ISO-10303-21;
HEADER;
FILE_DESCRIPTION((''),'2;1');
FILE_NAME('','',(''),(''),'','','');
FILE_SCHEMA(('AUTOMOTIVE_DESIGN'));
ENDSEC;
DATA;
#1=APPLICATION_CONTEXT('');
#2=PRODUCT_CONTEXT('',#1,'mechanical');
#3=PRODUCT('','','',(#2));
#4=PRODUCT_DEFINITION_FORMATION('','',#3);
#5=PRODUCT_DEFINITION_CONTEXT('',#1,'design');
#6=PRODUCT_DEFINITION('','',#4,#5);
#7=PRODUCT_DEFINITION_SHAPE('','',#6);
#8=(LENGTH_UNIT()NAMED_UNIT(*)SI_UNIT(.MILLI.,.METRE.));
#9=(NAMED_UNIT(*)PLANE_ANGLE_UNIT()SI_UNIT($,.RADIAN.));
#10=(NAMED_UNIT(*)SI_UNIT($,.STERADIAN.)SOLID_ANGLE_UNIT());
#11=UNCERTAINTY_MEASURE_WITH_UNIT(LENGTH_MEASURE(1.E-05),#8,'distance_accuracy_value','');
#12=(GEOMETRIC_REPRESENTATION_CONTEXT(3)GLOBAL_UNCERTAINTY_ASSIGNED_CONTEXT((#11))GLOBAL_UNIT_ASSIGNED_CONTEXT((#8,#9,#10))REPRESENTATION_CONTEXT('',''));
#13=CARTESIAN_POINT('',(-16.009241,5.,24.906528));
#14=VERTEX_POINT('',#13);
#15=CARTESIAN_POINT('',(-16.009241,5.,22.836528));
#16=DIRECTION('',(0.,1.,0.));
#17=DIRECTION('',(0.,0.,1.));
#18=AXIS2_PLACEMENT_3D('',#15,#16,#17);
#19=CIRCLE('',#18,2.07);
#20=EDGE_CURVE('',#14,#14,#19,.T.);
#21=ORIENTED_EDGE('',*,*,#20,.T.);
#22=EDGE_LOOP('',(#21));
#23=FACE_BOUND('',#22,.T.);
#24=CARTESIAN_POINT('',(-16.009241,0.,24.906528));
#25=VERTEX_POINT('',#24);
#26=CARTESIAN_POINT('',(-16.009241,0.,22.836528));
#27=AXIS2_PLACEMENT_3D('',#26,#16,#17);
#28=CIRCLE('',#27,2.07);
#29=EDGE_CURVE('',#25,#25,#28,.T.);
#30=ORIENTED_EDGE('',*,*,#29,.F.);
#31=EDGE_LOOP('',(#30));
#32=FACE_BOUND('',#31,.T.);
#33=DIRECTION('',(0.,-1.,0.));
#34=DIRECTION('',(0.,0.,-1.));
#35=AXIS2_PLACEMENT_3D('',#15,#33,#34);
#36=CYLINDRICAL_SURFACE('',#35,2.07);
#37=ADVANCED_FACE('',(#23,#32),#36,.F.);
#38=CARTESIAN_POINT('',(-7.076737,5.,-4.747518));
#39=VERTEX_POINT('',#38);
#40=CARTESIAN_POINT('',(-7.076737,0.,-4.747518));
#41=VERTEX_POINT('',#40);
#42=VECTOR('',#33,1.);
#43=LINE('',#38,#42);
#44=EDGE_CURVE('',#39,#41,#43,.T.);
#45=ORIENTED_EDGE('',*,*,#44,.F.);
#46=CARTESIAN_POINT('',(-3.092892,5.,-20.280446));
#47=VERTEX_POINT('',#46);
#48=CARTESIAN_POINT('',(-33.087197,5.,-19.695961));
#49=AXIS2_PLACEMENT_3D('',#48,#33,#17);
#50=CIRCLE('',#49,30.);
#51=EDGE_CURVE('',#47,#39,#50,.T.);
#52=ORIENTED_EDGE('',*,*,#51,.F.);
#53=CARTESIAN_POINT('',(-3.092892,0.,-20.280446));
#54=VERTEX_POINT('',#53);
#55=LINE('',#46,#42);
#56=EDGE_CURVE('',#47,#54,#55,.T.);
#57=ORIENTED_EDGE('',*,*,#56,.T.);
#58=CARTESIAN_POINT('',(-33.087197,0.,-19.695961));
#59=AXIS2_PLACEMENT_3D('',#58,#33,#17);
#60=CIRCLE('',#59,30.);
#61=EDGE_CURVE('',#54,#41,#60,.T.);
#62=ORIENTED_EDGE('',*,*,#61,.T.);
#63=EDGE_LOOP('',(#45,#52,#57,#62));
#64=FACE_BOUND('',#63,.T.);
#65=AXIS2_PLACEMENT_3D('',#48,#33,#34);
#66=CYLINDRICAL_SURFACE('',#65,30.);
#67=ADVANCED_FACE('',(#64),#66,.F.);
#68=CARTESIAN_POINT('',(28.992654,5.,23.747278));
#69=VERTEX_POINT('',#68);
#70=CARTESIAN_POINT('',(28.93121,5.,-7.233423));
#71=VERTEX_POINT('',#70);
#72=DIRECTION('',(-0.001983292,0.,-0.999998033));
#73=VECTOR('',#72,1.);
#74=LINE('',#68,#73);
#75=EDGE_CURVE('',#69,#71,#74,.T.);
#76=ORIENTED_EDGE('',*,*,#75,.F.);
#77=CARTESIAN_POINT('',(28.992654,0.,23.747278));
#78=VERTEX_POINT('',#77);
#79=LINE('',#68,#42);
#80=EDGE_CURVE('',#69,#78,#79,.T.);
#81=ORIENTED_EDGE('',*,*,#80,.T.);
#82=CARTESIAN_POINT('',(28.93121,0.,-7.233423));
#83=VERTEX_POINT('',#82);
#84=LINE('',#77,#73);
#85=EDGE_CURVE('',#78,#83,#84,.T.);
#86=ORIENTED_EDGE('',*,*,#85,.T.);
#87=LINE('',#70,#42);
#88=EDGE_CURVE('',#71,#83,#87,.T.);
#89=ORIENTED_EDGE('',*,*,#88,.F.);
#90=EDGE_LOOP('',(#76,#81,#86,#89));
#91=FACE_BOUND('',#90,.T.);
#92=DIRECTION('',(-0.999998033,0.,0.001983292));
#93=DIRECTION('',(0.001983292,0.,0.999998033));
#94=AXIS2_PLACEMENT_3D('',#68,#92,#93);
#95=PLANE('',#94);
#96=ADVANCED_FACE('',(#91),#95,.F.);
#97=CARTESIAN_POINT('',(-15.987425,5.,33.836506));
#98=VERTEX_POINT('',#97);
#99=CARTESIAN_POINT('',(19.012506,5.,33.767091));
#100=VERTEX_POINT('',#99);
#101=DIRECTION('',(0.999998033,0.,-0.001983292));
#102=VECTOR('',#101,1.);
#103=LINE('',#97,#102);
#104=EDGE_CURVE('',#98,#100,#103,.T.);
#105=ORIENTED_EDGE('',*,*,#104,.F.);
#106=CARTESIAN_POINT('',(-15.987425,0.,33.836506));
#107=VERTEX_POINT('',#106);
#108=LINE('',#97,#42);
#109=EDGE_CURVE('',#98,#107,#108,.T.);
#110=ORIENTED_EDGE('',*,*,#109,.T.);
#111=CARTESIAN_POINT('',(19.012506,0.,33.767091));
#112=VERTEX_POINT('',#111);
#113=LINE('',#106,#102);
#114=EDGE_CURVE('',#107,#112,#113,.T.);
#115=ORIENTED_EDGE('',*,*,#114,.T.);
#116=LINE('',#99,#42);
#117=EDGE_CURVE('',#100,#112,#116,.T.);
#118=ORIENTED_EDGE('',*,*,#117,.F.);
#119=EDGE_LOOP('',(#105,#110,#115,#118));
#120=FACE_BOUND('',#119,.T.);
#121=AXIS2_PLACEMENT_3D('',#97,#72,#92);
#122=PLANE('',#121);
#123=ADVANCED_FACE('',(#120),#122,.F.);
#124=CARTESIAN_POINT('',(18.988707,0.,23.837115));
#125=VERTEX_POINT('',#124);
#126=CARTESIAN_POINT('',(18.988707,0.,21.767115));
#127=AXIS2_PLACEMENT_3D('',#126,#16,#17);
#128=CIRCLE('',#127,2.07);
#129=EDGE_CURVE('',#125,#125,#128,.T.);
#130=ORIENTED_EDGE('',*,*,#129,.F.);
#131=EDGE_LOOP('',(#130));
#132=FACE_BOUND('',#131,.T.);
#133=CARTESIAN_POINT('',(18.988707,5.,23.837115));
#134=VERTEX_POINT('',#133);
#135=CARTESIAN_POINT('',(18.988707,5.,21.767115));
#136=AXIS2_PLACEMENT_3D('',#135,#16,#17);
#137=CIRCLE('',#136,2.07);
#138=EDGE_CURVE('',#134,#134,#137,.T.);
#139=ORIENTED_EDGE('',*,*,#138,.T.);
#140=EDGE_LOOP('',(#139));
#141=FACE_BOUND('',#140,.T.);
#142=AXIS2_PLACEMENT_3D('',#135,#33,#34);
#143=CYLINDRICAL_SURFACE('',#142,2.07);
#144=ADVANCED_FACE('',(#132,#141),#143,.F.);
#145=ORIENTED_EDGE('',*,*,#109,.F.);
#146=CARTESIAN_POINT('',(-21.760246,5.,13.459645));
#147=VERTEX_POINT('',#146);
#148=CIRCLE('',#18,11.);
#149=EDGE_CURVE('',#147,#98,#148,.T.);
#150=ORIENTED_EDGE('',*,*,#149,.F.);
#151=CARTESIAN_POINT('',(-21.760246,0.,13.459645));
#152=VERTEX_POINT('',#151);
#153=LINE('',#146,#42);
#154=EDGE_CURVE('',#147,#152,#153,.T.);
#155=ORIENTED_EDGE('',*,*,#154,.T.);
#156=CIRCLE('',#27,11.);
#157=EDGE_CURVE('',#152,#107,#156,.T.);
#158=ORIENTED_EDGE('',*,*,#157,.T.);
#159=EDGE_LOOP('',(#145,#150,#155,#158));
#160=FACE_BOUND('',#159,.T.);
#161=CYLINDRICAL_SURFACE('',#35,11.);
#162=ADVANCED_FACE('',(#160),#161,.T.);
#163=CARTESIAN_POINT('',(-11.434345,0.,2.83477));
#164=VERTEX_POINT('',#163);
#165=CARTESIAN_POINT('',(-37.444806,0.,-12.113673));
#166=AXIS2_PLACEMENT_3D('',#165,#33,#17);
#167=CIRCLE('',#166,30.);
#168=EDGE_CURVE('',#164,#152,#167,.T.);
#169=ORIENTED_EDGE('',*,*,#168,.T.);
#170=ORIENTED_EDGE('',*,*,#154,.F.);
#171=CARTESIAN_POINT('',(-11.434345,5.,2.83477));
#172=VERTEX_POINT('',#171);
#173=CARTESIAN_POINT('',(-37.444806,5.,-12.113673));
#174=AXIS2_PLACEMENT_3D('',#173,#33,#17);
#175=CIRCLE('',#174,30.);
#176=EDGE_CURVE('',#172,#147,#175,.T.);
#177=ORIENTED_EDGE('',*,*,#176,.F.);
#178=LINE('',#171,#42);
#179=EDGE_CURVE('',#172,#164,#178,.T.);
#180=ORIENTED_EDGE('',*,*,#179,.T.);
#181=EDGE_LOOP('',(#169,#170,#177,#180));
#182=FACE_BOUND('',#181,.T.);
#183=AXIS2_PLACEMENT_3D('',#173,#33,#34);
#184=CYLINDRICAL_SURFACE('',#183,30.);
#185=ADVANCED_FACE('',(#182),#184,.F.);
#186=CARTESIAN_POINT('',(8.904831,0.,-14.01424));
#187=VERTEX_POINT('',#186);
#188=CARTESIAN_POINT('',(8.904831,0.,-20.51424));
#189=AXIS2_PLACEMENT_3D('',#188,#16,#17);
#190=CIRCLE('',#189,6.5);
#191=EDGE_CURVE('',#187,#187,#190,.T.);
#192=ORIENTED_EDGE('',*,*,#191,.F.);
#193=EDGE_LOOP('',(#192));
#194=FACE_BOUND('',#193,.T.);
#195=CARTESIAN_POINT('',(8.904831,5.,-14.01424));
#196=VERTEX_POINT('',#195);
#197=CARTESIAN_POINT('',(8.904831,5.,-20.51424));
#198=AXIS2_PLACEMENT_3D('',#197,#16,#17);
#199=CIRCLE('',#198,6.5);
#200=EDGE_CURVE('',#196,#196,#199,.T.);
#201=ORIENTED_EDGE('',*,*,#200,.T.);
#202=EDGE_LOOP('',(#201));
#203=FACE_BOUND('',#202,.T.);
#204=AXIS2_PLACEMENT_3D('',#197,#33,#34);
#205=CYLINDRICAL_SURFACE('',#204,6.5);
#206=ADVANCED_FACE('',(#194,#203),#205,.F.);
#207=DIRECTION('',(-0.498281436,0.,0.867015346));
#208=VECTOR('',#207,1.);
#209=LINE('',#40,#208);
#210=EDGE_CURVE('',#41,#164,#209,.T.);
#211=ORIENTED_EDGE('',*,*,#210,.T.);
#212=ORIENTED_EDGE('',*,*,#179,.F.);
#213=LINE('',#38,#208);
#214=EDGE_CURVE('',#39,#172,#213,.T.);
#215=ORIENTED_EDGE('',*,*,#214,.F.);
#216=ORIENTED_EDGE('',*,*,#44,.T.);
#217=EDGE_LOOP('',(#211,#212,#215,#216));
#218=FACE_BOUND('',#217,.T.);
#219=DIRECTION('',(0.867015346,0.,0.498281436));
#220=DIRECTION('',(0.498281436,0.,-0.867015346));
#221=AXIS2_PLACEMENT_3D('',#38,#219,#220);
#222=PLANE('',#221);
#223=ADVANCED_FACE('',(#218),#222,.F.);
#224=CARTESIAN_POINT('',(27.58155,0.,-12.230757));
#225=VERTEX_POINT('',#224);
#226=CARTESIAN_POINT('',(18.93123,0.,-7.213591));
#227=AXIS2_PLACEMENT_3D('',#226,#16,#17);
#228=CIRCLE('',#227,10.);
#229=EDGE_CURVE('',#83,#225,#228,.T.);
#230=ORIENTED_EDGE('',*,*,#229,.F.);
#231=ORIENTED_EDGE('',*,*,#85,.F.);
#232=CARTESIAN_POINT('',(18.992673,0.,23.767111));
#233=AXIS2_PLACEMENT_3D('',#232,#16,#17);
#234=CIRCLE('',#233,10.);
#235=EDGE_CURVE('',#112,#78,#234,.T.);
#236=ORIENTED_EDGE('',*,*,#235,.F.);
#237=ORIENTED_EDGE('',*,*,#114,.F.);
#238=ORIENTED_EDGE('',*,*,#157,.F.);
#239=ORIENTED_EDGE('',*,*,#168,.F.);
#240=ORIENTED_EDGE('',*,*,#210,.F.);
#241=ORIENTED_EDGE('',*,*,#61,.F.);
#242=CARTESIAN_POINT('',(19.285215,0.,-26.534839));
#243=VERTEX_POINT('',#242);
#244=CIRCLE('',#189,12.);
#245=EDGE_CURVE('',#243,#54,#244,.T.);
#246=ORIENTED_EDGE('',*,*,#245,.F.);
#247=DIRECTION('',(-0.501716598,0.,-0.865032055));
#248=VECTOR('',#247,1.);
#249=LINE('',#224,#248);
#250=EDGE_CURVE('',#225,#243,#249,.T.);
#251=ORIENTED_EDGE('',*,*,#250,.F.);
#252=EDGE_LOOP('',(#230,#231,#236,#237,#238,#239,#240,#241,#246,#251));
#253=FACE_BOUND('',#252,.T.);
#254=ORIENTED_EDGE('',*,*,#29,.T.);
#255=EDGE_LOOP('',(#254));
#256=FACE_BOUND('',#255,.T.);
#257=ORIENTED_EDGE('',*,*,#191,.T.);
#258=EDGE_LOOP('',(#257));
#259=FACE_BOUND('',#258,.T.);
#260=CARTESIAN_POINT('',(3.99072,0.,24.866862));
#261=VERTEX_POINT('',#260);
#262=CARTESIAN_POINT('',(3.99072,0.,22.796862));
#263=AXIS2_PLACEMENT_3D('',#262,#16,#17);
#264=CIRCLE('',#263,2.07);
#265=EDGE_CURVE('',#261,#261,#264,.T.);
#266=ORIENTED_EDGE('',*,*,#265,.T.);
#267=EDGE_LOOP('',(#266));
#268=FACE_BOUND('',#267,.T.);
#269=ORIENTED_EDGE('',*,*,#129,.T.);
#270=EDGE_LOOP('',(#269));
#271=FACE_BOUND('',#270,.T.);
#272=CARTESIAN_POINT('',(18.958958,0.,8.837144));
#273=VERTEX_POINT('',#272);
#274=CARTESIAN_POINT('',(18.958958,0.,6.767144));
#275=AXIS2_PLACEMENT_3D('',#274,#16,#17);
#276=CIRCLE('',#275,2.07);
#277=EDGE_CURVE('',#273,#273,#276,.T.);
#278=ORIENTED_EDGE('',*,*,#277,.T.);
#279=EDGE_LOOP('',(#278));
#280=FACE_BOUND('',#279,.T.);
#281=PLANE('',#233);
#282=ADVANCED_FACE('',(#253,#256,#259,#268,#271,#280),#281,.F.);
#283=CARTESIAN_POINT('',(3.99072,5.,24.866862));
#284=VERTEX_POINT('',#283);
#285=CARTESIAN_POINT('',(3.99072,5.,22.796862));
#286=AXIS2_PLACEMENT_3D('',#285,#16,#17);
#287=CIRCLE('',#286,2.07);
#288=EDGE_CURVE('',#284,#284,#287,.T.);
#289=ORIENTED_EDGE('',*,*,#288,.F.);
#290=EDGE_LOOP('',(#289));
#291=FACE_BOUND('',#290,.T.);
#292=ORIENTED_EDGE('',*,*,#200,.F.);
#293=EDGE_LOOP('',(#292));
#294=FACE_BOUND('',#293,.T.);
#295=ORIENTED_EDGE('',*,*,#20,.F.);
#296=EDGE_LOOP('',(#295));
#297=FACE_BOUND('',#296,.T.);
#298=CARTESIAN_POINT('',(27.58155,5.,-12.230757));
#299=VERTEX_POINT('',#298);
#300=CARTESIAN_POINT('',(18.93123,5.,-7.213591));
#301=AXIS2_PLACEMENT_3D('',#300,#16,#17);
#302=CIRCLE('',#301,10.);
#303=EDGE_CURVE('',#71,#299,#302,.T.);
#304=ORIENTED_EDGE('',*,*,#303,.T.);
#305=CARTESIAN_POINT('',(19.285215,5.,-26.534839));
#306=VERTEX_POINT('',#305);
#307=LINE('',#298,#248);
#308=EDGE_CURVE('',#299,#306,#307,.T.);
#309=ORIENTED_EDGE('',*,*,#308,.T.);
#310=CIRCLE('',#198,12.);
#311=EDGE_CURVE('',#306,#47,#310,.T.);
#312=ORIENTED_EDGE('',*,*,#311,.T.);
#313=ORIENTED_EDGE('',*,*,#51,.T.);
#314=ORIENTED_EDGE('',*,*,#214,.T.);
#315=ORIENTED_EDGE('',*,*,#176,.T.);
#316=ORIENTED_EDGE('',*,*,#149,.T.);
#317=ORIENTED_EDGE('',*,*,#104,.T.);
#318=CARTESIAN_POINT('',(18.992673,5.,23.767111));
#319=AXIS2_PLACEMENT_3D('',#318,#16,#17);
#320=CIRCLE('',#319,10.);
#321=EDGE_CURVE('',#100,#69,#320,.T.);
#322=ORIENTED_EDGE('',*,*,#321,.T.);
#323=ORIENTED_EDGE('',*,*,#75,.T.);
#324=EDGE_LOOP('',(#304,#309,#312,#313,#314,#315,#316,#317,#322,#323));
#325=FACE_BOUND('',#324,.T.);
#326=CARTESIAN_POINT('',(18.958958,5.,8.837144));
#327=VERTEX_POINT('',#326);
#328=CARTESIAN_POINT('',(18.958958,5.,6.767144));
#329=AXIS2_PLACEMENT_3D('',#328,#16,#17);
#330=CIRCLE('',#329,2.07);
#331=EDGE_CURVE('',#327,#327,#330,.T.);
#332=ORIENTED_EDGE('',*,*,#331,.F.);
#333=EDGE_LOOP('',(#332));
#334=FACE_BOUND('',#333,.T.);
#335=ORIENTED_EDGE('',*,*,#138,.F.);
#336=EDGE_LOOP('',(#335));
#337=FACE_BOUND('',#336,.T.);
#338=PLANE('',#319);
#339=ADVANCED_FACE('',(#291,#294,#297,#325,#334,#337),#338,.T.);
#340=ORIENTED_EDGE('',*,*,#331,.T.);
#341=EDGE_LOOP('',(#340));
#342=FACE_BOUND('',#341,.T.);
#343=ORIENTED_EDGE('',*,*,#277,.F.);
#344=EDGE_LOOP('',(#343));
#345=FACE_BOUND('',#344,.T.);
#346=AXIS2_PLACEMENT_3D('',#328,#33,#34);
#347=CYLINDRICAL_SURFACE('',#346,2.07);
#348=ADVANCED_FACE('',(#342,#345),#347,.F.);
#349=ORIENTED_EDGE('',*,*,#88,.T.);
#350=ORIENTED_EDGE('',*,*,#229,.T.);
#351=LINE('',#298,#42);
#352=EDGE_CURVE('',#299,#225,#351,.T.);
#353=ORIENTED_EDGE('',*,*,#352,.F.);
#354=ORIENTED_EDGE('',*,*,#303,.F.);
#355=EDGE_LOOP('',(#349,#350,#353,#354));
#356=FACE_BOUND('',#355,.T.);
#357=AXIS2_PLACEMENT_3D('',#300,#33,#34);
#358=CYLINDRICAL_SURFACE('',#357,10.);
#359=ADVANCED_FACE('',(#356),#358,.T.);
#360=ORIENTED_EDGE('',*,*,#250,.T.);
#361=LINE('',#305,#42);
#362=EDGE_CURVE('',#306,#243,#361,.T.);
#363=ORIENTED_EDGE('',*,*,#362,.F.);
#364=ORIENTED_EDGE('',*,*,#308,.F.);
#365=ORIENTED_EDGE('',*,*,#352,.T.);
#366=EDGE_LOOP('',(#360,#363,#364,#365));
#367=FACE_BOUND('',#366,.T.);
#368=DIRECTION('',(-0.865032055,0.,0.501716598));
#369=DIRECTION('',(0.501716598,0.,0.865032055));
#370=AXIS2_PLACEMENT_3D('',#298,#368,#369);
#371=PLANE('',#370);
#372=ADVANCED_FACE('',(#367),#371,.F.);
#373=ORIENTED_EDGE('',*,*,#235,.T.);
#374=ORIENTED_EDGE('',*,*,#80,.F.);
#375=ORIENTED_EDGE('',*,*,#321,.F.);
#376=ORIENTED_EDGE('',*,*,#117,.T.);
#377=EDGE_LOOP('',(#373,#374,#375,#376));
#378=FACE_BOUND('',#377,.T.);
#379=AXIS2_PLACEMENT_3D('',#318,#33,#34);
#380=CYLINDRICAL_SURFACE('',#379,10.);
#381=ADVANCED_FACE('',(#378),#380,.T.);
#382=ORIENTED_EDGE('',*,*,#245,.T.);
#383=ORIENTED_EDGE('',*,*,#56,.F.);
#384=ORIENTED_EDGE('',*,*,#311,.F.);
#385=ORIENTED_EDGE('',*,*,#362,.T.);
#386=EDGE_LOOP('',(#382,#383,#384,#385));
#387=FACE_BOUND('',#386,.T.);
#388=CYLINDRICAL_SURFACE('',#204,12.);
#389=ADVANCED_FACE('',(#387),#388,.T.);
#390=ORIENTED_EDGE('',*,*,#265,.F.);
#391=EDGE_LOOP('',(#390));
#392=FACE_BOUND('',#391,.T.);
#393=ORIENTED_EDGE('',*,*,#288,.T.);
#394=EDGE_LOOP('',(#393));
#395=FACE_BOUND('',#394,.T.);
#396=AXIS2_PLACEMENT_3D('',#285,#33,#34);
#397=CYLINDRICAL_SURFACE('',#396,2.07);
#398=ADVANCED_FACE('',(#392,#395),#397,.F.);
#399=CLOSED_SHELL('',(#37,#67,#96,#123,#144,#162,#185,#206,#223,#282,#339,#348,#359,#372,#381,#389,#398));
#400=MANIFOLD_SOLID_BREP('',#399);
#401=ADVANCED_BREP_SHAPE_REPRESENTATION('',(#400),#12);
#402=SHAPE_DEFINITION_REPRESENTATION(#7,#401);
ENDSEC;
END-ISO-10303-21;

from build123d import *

# Parameters (mm, degrees)
SKETCH2_R           = 2.070000004
SKETCH2_R_2         = 2.07
SKETCH2_R_3         = 6.5
BOSS_EXTRUDE1_DEPTH = 5


with BuildPart() as part:
    # Sketch2 → Boss-Extrude1 (new body)
    with BuildSketch(Plane(origin=(0, 0, 0), x_dir=(1, 0, 0), z_dir=(0, 1, 0))):
        with BuildLine():
            Line((28.992653793, -23.747277728), (28.931209907, 7.233423459))
            ThreePointArc((28.931209907, 7.233423459), (28.585335704, 9.820933029), (27.581550122, 12.230756518))
            Line((27.581550122, 12.230756518), (19.285215447, 26.534838675))
            ThreePointArc((19.285215447, 26.534838675), (5.674768423, 32.071345418), (-3.092891515, 20.280445778))
            ThreePointArc((-3.092891515, 20.280445778), (-4.027751027, 12.242869235), (-7.076736883, 4.747518394))
            Line((-7.076736883, 4.747518394), (-11.434345304, -2.834769655))
            ThreePointArc((-11.434345304, -2.834769655), (-15.931073724, -8.794682251), (-21.760246162, -13.45964456))
            ThreePointArc((-21.760246162, -13.45964456), (-26.592719819, -25.834856698), (-15.987424791, -33.836506183))
            Line((-15.987424791, -33.836506183), (19.012506376, -33.767090977))
            ThreePointArc((19.012506376, -33.767090977), (26.077751355, -30.824140559), (28.992653793, -23.747277728))
        make_face()
        with Locations(Location((-16.009240999, -22.836527817, 0), (0, 0, 270))):
            Circle(SKETCH2_R, mode=Mode.SUBTRACT)
        with Locations(Location((3.990719669, -22.796861981, 0), (0, 0, 270))):
            Circle(SKETCH2_R_2, mode=Mode.SUBTRACT)
        with Locations(Location((18.988706877, -21.767114574, 0), (0, 0, 270))):
            Circle(SKETCH2_R_2, mode=Mode.SUBTRACT)
        with Locations(Location((18.958957503, -6.767144075, 0), (0, 0, 270))):
            Circle(SKETCH2_R_2, mode=Mode.SUBTRACT)
        with Locations(Location((8.90483079, 20.514239504, 0), (0, 0, 270))):
            Circle(SKETCH2_R_3, mode=Mode.SUBTRACT)
    extrude(amount=BOSS_EXTRUDE1_DEPTH)


solid = part.part
